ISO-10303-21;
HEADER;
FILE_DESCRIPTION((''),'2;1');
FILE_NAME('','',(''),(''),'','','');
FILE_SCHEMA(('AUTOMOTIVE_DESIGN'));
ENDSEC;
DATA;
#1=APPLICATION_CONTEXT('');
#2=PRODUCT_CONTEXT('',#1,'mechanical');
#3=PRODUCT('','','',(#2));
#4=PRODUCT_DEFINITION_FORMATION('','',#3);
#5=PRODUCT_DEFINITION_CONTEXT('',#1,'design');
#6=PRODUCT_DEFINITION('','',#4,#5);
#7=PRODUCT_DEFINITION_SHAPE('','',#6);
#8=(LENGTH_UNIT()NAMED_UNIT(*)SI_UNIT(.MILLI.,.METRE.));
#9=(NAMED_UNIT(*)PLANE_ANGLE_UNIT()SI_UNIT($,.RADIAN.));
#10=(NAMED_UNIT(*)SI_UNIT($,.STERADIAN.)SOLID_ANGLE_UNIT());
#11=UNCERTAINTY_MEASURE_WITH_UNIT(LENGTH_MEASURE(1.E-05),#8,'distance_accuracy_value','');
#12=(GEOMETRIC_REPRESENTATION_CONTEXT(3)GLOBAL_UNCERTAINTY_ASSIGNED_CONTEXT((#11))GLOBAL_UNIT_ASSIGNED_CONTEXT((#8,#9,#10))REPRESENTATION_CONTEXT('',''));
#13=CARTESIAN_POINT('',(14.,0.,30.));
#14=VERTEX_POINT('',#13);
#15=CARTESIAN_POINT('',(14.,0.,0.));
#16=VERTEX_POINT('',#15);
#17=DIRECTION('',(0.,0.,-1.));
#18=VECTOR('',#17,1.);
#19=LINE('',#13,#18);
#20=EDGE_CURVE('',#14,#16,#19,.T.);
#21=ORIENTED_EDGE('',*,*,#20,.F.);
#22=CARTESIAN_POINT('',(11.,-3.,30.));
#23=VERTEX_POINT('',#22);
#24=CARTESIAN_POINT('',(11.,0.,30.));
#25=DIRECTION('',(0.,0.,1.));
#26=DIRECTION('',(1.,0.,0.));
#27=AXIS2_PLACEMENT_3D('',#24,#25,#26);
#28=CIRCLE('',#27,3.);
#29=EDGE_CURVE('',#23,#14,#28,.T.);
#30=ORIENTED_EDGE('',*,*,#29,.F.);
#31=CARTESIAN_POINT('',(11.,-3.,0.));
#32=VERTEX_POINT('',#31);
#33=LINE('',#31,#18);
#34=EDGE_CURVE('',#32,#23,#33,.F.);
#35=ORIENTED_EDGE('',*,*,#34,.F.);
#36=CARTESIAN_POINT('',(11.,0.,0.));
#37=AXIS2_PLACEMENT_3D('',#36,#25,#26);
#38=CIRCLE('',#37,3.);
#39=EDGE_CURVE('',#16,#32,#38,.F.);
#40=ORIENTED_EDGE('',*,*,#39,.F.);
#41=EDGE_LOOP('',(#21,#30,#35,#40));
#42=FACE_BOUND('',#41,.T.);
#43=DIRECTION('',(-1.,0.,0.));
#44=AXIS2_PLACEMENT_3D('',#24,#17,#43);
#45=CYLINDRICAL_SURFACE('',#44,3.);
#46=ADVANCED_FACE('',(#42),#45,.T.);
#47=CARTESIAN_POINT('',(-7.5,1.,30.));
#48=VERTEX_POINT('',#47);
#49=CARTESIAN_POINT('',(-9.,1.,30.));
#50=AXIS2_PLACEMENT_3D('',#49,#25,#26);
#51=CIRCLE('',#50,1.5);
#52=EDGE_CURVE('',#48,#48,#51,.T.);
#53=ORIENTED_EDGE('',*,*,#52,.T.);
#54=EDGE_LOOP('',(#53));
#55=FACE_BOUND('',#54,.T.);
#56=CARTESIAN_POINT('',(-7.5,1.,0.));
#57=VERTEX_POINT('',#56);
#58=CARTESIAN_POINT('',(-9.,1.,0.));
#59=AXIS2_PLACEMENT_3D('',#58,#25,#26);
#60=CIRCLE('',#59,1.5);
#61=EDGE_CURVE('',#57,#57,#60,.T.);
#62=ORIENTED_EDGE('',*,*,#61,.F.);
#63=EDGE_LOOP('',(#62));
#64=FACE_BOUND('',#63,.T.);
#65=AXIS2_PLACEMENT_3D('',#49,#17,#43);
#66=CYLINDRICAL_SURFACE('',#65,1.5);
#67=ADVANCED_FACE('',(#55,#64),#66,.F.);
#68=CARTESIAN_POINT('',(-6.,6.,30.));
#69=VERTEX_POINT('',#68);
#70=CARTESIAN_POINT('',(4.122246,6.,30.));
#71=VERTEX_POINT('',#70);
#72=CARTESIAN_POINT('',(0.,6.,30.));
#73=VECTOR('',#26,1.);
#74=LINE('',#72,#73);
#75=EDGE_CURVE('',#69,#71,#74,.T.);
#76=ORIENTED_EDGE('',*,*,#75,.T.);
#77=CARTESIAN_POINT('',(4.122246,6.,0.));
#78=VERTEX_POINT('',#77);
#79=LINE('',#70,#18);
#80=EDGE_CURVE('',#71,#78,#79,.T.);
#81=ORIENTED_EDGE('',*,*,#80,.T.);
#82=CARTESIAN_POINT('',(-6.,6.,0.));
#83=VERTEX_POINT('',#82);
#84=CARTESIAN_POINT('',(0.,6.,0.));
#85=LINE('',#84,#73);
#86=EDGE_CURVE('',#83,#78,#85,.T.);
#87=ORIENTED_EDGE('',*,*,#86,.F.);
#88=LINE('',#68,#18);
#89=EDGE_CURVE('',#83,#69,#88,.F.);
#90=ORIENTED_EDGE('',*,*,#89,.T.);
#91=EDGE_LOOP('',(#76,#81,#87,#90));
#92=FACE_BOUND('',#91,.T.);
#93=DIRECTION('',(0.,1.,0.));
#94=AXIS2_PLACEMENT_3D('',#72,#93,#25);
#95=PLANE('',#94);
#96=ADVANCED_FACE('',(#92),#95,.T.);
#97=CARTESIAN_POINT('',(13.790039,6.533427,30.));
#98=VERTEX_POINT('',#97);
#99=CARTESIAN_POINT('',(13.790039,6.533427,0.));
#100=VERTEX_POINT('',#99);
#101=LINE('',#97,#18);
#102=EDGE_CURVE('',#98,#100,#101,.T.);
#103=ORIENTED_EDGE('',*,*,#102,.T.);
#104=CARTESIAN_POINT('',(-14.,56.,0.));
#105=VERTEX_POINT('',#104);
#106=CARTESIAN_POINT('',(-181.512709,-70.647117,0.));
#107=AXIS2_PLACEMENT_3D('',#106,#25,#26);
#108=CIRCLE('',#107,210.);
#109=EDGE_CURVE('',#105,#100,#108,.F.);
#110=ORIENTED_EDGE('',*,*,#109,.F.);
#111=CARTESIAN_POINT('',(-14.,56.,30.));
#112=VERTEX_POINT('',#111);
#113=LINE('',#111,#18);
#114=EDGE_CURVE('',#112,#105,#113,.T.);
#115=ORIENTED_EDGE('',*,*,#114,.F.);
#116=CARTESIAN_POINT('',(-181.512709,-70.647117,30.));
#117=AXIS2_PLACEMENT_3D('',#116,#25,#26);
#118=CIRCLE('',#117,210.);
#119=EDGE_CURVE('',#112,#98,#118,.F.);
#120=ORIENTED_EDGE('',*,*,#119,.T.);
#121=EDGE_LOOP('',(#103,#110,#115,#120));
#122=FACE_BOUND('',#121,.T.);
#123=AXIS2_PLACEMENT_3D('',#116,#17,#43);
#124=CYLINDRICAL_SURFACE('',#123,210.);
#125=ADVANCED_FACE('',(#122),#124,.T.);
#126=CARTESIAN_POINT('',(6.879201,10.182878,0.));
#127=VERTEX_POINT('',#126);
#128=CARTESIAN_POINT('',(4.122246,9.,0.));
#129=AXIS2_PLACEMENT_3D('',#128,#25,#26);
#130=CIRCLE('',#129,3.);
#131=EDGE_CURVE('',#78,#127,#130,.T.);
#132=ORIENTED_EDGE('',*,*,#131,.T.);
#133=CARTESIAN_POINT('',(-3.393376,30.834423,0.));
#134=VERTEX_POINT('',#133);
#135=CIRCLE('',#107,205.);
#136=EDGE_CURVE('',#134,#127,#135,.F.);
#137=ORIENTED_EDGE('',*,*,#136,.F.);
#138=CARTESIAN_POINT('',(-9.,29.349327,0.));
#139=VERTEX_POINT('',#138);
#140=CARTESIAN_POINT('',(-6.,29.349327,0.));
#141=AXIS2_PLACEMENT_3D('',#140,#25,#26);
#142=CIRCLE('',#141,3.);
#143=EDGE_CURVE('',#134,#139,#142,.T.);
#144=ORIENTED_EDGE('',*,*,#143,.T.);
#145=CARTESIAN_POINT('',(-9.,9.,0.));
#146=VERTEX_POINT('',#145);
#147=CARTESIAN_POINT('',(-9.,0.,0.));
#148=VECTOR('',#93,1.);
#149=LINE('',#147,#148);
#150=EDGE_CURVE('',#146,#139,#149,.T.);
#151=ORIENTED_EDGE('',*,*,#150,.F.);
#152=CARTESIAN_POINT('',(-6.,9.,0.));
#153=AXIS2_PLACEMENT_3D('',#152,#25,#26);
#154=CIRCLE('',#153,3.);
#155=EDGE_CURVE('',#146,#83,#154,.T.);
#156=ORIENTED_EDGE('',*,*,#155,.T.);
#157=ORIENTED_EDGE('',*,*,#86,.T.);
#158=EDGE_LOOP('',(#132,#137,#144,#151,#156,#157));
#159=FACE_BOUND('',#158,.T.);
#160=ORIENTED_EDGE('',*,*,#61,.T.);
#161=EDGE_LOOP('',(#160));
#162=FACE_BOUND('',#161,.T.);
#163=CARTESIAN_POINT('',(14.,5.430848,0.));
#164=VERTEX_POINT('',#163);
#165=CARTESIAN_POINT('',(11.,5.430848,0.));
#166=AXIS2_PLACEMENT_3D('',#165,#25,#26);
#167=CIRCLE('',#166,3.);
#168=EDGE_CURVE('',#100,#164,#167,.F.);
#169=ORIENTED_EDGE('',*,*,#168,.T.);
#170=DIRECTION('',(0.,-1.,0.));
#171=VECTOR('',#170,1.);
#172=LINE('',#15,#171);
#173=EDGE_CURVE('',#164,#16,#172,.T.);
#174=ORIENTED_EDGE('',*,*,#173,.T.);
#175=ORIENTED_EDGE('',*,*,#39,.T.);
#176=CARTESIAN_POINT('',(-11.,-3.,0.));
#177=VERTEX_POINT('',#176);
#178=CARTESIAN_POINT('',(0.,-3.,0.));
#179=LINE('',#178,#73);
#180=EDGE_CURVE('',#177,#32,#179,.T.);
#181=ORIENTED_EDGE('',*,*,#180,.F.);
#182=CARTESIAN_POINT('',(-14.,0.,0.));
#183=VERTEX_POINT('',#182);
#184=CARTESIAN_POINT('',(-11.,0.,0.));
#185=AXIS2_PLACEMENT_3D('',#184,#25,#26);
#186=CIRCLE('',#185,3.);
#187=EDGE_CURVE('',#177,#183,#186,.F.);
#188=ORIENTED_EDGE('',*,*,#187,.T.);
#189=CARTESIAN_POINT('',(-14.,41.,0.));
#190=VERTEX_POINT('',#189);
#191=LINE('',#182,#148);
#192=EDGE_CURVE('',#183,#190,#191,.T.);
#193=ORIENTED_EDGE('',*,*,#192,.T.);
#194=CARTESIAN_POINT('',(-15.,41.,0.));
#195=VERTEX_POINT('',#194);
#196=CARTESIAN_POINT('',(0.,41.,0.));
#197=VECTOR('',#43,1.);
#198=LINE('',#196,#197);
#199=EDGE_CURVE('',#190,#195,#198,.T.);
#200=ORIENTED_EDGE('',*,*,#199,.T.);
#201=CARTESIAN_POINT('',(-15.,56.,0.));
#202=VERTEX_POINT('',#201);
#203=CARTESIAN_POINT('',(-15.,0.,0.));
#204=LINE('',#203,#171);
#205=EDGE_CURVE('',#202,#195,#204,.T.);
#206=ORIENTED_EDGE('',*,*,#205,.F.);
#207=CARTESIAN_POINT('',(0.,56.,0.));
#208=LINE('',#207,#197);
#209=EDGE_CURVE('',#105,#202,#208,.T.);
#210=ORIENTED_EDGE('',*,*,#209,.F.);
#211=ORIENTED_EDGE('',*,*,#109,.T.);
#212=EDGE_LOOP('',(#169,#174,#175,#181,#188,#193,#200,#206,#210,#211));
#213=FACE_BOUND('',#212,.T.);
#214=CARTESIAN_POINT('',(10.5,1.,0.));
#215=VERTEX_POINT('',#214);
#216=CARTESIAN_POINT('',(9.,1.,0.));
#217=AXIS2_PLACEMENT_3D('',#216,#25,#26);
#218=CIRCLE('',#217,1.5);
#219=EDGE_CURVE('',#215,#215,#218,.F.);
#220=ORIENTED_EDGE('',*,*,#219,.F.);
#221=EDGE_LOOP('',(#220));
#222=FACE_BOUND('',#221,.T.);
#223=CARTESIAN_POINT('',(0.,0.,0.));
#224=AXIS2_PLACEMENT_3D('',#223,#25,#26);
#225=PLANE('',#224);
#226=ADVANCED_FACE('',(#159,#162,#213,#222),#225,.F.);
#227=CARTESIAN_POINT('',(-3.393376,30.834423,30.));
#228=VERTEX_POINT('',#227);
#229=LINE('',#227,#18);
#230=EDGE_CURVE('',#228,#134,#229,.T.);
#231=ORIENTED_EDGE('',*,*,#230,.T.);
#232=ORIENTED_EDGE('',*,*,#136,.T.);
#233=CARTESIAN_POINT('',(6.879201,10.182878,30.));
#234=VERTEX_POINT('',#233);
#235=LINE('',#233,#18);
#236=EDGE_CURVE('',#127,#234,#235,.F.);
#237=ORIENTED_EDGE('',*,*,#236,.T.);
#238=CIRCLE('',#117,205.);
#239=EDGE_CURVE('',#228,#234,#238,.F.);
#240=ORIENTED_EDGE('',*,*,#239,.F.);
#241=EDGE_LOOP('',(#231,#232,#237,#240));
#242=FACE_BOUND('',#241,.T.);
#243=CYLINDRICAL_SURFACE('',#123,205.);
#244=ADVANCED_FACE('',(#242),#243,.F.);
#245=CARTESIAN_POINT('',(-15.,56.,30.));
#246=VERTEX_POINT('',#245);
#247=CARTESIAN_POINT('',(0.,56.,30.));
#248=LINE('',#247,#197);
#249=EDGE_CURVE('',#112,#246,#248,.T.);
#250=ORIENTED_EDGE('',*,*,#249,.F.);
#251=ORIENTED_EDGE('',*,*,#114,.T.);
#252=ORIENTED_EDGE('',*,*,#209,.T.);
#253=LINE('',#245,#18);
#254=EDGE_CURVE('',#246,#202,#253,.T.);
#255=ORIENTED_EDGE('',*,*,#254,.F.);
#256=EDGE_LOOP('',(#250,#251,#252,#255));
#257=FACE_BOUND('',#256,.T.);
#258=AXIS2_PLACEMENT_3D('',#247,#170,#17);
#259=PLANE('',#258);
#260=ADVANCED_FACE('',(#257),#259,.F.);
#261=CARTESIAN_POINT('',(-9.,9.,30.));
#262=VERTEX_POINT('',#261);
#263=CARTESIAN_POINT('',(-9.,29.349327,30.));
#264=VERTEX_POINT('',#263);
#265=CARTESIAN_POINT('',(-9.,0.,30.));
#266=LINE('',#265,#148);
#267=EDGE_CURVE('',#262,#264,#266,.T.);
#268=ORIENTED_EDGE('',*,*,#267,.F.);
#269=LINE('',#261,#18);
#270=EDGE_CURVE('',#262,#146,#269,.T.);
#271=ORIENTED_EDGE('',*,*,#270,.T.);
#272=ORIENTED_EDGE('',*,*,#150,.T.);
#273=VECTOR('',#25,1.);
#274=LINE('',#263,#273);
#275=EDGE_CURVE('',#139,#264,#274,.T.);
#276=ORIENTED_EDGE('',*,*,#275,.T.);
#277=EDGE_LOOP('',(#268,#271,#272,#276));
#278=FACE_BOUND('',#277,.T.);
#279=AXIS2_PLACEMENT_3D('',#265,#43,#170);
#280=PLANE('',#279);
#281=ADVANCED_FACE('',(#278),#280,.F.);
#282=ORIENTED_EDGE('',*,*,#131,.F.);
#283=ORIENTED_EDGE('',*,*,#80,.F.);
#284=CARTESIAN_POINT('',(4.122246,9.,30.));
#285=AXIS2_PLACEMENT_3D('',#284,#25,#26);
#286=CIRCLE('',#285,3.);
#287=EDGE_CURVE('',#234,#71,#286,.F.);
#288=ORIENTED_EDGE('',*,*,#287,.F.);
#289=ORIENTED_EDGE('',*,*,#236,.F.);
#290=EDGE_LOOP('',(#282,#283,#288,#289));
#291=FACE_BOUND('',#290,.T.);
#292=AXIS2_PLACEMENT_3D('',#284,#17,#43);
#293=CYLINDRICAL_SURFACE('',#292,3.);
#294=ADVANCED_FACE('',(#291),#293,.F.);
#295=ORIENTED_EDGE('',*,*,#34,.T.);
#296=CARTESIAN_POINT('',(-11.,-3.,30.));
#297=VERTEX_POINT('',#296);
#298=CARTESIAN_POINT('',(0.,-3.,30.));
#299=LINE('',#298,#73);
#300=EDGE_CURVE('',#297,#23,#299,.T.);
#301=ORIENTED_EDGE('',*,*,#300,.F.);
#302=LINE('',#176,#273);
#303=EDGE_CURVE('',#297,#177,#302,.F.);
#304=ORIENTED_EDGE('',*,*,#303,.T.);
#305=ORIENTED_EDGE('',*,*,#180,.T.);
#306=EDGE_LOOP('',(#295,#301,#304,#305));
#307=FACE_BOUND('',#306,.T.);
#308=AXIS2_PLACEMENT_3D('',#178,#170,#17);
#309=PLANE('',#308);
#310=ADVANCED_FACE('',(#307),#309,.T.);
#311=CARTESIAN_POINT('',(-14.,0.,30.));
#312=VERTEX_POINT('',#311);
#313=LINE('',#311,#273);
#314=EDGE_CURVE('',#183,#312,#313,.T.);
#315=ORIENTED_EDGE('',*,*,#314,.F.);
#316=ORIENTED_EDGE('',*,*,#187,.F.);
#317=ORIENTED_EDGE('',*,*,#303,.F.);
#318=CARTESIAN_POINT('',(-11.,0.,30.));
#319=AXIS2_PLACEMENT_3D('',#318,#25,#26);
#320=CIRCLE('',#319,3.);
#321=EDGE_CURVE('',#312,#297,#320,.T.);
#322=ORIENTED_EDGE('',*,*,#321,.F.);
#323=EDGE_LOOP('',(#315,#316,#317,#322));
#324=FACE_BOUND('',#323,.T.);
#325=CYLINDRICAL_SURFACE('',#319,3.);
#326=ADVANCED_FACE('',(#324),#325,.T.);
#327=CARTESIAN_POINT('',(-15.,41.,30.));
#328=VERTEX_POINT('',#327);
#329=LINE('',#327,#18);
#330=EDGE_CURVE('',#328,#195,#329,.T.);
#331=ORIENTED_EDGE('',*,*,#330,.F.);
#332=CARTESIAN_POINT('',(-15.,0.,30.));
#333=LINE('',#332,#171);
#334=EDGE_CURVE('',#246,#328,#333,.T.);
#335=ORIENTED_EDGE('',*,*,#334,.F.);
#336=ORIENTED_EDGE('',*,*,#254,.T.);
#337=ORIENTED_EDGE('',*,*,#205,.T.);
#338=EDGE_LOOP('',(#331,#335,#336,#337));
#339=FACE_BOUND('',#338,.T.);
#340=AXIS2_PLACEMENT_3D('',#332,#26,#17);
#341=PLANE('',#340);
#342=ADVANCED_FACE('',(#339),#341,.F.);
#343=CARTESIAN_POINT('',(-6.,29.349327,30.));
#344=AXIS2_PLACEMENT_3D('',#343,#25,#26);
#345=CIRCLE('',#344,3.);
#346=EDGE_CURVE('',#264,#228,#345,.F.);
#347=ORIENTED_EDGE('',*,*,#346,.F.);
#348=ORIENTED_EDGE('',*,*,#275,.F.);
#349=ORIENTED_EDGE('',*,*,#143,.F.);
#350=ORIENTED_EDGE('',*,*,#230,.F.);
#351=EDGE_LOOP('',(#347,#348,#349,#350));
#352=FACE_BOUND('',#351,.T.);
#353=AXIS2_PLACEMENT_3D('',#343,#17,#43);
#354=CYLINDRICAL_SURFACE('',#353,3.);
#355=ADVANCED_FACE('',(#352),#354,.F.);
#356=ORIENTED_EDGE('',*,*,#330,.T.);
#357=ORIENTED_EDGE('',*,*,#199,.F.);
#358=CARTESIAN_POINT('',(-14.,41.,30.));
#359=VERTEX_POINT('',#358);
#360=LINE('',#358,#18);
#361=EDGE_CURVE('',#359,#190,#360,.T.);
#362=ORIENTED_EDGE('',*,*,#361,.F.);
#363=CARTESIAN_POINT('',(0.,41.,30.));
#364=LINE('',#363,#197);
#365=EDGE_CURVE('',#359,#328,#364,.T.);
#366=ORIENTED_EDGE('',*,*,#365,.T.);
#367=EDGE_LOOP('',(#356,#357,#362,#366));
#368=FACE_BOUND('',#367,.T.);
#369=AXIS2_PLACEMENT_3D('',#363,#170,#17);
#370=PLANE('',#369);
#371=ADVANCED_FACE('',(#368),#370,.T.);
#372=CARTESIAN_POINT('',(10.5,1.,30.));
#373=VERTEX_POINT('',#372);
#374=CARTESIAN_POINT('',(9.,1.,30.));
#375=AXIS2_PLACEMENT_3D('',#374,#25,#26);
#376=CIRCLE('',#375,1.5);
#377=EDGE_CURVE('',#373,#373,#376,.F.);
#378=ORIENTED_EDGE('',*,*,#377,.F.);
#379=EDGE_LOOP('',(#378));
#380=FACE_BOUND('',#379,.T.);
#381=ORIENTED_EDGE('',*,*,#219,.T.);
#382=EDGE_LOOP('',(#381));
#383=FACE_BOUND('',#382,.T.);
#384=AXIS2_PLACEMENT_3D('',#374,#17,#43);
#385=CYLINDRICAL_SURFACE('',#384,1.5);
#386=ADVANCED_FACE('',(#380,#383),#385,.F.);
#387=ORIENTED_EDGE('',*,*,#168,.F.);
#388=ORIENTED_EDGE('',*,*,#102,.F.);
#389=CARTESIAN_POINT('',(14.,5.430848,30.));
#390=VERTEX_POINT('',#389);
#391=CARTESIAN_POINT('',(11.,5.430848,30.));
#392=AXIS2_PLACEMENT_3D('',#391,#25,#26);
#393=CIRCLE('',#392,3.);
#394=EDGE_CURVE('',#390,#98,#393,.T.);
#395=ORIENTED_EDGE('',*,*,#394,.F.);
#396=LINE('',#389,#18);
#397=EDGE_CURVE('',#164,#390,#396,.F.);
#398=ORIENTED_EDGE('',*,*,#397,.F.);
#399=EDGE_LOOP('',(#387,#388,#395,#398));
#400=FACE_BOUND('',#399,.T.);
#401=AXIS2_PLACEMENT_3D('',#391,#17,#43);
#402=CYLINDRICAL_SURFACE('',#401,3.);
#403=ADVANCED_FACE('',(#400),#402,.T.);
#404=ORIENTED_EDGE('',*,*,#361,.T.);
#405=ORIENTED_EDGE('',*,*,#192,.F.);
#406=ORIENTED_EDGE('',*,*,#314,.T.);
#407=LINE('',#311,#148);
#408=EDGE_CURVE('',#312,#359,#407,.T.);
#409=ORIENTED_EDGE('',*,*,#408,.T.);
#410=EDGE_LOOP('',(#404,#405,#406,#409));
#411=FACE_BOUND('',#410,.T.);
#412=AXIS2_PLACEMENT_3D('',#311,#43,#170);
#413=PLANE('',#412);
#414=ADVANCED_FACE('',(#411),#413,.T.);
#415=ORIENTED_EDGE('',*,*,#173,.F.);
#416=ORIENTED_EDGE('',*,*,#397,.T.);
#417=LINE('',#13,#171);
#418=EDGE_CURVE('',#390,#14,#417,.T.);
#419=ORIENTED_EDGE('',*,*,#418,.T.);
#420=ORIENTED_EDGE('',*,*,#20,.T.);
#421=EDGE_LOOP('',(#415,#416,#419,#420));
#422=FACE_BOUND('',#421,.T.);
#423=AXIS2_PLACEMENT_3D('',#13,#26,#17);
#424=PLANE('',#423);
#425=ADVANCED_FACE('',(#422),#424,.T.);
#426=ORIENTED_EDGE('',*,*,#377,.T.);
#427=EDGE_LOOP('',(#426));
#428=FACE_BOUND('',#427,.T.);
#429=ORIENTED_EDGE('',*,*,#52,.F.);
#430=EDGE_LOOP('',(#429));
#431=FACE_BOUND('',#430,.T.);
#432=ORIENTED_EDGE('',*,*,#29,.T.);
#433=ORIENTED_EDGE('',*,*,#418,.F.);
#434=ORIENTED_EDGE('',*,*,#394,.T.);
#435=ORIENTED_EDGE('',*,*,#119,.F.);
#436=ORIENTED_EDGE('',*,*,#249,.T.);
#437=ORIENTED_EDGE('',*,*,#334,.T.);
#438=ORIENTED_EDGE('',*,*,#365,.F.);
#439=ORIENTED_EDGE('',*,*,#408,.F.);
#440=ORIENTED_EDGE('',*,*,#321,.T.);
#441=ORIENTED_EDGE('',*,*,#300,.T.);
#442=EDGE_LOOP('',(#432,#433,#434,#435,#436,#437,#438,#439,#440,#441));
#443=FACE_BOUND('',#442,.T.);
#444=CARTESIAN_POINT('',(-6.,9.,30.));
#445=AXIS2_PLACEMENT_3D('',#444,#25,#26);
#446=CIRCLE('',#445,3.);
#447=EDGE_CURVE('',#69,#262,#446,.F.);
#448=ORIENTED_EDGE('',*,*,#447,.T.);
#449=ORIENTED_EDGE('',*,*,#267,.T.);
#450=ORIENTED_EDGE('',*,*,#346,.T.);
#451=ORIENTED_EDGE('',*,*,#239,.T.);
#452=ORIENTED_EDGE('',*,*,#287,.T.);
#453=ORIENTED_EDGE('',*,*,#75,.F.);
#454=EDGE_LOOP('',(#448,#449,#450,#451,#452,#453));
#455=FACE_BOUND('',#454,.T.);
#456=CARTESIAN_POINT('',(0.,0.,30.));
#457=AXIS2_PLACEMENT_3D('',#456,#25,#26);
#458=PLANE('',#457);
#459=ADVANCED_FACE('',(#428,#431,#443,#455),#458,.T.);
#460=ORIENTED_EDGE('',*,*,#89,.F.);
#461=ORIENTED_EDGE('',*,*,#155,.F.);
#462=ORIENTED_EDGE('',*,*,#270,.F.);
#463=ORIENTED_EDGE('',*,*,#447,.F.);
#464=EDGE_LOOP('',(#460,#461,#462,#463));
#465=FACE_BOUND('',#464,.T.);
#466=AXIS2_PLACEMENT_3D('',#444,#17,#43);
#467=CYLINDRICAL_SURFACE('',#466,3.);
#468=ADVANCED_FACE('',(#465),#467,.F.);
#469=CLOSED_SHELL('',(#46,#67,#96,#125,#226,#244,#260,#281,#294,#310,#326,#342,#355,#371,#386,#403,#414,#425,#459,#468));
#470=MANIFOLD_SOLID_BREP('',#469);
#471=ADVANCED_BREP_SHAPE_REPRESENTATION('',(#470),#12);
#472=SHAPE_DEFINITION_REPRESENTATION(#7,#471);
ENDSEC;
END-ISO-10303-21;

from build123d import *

# Parameters (mm, degrees)
SKETCH_1_W          = 1
SKETCH_1_H          = 15
SKETCH_1_W_2        = 28
SKETCH_1_H_2        = 12
SKETCH_1_R          = 1.5
EXTRUDE_1_DEPTH     = 30
FILLET_1_R          = 3
CUT_EXTRUDE_1_DEPTH = 66.276335681
FILLET_2_R          = 3


with BuildPart() as part:
    # 草图1 → 凸台-拉伸1 (new body)
    # profile 1 of 3: a face of its own
    with BuildSketch(Plane.XY):
        with BuildLine():
            Line((-14, 41), (-14, 6))
            Line((-14, 6), (-9, 6))
            Line((-9, 6), (-9, 40.097477255))
            ThreePointArc((-9, 40.097477255), (0.609436103, 23.461990889), (8.619401339, 6))
            Line((8.619401339, 6), (14, 6))
            ThreePointArc((14, 6), (1.713554205, 31.959590355), (-14, 56))
            Line((-14, 56), (-14, 41))
        make_face()
    # profile 2 of 3: a face of its own
    with BuildSketch(Plane.XY):
        with Locations((-14.5, 48.5)):
            Rectangle(SKETCH_1_W, SKETCH_1_H)
    # profile 3 of 3: a face of its own
    with BuildSketch(Plane.XY):
        Rectangle(SKETCH_1_W_2, SKETCH_1_H_2)
        with Locations((-9, 1)):
            Circle(SKETCH_1_R, mode=Mode.SUBTRACT)
        with Locations((9, 1)):
            Circle(SKETCH_1_R, mode=Mode.SUBTRACT)
    extrude(amount=EXTRUDE_1_DEPTH)

    # 圆角1
    fillet_1_edges = [part.edges().sort_by_distance(p)[0] for p in [
        (-9, 6, 15),
        (8.619401339, 6, 15),
        (-9, 40.097477255, 15),
        (14, -6, 15),
        (-14, -6, 15),
    ]]
    fillet(fillet_1_edges, radius=FILLET_1_R)

    # 草图2 → 切除-拉伸1 (cut, through all)
    with BuildSketch(Plane.XY.offset(30)):
        with BuildLine():
            Line((-14, -3), (14, -3))
            ThreePointArc((14, -3), (13.121320344, -5.121320344), (11, -6))
            Line((11, -6), (-11, -6))
            ThreePointArc((-11, -6), (-13.121320344, -5.121320344), (-14, -3))
        make_face()
    extrude(amount=-CUT_EXTRUDE_1_DEPTH, mode=Mode.SUBTRACT)

    # 圆角2
    fillet_2_edges = [part.edges().sort_by_distance(p)[0] for p in [
        (14, 6, 15),
        (14, -3, 15),
        (-14, -3, 15),
    ]]
    fillet(fillet_2_edges, radius=FILLET_2_R)


solid = part.part
